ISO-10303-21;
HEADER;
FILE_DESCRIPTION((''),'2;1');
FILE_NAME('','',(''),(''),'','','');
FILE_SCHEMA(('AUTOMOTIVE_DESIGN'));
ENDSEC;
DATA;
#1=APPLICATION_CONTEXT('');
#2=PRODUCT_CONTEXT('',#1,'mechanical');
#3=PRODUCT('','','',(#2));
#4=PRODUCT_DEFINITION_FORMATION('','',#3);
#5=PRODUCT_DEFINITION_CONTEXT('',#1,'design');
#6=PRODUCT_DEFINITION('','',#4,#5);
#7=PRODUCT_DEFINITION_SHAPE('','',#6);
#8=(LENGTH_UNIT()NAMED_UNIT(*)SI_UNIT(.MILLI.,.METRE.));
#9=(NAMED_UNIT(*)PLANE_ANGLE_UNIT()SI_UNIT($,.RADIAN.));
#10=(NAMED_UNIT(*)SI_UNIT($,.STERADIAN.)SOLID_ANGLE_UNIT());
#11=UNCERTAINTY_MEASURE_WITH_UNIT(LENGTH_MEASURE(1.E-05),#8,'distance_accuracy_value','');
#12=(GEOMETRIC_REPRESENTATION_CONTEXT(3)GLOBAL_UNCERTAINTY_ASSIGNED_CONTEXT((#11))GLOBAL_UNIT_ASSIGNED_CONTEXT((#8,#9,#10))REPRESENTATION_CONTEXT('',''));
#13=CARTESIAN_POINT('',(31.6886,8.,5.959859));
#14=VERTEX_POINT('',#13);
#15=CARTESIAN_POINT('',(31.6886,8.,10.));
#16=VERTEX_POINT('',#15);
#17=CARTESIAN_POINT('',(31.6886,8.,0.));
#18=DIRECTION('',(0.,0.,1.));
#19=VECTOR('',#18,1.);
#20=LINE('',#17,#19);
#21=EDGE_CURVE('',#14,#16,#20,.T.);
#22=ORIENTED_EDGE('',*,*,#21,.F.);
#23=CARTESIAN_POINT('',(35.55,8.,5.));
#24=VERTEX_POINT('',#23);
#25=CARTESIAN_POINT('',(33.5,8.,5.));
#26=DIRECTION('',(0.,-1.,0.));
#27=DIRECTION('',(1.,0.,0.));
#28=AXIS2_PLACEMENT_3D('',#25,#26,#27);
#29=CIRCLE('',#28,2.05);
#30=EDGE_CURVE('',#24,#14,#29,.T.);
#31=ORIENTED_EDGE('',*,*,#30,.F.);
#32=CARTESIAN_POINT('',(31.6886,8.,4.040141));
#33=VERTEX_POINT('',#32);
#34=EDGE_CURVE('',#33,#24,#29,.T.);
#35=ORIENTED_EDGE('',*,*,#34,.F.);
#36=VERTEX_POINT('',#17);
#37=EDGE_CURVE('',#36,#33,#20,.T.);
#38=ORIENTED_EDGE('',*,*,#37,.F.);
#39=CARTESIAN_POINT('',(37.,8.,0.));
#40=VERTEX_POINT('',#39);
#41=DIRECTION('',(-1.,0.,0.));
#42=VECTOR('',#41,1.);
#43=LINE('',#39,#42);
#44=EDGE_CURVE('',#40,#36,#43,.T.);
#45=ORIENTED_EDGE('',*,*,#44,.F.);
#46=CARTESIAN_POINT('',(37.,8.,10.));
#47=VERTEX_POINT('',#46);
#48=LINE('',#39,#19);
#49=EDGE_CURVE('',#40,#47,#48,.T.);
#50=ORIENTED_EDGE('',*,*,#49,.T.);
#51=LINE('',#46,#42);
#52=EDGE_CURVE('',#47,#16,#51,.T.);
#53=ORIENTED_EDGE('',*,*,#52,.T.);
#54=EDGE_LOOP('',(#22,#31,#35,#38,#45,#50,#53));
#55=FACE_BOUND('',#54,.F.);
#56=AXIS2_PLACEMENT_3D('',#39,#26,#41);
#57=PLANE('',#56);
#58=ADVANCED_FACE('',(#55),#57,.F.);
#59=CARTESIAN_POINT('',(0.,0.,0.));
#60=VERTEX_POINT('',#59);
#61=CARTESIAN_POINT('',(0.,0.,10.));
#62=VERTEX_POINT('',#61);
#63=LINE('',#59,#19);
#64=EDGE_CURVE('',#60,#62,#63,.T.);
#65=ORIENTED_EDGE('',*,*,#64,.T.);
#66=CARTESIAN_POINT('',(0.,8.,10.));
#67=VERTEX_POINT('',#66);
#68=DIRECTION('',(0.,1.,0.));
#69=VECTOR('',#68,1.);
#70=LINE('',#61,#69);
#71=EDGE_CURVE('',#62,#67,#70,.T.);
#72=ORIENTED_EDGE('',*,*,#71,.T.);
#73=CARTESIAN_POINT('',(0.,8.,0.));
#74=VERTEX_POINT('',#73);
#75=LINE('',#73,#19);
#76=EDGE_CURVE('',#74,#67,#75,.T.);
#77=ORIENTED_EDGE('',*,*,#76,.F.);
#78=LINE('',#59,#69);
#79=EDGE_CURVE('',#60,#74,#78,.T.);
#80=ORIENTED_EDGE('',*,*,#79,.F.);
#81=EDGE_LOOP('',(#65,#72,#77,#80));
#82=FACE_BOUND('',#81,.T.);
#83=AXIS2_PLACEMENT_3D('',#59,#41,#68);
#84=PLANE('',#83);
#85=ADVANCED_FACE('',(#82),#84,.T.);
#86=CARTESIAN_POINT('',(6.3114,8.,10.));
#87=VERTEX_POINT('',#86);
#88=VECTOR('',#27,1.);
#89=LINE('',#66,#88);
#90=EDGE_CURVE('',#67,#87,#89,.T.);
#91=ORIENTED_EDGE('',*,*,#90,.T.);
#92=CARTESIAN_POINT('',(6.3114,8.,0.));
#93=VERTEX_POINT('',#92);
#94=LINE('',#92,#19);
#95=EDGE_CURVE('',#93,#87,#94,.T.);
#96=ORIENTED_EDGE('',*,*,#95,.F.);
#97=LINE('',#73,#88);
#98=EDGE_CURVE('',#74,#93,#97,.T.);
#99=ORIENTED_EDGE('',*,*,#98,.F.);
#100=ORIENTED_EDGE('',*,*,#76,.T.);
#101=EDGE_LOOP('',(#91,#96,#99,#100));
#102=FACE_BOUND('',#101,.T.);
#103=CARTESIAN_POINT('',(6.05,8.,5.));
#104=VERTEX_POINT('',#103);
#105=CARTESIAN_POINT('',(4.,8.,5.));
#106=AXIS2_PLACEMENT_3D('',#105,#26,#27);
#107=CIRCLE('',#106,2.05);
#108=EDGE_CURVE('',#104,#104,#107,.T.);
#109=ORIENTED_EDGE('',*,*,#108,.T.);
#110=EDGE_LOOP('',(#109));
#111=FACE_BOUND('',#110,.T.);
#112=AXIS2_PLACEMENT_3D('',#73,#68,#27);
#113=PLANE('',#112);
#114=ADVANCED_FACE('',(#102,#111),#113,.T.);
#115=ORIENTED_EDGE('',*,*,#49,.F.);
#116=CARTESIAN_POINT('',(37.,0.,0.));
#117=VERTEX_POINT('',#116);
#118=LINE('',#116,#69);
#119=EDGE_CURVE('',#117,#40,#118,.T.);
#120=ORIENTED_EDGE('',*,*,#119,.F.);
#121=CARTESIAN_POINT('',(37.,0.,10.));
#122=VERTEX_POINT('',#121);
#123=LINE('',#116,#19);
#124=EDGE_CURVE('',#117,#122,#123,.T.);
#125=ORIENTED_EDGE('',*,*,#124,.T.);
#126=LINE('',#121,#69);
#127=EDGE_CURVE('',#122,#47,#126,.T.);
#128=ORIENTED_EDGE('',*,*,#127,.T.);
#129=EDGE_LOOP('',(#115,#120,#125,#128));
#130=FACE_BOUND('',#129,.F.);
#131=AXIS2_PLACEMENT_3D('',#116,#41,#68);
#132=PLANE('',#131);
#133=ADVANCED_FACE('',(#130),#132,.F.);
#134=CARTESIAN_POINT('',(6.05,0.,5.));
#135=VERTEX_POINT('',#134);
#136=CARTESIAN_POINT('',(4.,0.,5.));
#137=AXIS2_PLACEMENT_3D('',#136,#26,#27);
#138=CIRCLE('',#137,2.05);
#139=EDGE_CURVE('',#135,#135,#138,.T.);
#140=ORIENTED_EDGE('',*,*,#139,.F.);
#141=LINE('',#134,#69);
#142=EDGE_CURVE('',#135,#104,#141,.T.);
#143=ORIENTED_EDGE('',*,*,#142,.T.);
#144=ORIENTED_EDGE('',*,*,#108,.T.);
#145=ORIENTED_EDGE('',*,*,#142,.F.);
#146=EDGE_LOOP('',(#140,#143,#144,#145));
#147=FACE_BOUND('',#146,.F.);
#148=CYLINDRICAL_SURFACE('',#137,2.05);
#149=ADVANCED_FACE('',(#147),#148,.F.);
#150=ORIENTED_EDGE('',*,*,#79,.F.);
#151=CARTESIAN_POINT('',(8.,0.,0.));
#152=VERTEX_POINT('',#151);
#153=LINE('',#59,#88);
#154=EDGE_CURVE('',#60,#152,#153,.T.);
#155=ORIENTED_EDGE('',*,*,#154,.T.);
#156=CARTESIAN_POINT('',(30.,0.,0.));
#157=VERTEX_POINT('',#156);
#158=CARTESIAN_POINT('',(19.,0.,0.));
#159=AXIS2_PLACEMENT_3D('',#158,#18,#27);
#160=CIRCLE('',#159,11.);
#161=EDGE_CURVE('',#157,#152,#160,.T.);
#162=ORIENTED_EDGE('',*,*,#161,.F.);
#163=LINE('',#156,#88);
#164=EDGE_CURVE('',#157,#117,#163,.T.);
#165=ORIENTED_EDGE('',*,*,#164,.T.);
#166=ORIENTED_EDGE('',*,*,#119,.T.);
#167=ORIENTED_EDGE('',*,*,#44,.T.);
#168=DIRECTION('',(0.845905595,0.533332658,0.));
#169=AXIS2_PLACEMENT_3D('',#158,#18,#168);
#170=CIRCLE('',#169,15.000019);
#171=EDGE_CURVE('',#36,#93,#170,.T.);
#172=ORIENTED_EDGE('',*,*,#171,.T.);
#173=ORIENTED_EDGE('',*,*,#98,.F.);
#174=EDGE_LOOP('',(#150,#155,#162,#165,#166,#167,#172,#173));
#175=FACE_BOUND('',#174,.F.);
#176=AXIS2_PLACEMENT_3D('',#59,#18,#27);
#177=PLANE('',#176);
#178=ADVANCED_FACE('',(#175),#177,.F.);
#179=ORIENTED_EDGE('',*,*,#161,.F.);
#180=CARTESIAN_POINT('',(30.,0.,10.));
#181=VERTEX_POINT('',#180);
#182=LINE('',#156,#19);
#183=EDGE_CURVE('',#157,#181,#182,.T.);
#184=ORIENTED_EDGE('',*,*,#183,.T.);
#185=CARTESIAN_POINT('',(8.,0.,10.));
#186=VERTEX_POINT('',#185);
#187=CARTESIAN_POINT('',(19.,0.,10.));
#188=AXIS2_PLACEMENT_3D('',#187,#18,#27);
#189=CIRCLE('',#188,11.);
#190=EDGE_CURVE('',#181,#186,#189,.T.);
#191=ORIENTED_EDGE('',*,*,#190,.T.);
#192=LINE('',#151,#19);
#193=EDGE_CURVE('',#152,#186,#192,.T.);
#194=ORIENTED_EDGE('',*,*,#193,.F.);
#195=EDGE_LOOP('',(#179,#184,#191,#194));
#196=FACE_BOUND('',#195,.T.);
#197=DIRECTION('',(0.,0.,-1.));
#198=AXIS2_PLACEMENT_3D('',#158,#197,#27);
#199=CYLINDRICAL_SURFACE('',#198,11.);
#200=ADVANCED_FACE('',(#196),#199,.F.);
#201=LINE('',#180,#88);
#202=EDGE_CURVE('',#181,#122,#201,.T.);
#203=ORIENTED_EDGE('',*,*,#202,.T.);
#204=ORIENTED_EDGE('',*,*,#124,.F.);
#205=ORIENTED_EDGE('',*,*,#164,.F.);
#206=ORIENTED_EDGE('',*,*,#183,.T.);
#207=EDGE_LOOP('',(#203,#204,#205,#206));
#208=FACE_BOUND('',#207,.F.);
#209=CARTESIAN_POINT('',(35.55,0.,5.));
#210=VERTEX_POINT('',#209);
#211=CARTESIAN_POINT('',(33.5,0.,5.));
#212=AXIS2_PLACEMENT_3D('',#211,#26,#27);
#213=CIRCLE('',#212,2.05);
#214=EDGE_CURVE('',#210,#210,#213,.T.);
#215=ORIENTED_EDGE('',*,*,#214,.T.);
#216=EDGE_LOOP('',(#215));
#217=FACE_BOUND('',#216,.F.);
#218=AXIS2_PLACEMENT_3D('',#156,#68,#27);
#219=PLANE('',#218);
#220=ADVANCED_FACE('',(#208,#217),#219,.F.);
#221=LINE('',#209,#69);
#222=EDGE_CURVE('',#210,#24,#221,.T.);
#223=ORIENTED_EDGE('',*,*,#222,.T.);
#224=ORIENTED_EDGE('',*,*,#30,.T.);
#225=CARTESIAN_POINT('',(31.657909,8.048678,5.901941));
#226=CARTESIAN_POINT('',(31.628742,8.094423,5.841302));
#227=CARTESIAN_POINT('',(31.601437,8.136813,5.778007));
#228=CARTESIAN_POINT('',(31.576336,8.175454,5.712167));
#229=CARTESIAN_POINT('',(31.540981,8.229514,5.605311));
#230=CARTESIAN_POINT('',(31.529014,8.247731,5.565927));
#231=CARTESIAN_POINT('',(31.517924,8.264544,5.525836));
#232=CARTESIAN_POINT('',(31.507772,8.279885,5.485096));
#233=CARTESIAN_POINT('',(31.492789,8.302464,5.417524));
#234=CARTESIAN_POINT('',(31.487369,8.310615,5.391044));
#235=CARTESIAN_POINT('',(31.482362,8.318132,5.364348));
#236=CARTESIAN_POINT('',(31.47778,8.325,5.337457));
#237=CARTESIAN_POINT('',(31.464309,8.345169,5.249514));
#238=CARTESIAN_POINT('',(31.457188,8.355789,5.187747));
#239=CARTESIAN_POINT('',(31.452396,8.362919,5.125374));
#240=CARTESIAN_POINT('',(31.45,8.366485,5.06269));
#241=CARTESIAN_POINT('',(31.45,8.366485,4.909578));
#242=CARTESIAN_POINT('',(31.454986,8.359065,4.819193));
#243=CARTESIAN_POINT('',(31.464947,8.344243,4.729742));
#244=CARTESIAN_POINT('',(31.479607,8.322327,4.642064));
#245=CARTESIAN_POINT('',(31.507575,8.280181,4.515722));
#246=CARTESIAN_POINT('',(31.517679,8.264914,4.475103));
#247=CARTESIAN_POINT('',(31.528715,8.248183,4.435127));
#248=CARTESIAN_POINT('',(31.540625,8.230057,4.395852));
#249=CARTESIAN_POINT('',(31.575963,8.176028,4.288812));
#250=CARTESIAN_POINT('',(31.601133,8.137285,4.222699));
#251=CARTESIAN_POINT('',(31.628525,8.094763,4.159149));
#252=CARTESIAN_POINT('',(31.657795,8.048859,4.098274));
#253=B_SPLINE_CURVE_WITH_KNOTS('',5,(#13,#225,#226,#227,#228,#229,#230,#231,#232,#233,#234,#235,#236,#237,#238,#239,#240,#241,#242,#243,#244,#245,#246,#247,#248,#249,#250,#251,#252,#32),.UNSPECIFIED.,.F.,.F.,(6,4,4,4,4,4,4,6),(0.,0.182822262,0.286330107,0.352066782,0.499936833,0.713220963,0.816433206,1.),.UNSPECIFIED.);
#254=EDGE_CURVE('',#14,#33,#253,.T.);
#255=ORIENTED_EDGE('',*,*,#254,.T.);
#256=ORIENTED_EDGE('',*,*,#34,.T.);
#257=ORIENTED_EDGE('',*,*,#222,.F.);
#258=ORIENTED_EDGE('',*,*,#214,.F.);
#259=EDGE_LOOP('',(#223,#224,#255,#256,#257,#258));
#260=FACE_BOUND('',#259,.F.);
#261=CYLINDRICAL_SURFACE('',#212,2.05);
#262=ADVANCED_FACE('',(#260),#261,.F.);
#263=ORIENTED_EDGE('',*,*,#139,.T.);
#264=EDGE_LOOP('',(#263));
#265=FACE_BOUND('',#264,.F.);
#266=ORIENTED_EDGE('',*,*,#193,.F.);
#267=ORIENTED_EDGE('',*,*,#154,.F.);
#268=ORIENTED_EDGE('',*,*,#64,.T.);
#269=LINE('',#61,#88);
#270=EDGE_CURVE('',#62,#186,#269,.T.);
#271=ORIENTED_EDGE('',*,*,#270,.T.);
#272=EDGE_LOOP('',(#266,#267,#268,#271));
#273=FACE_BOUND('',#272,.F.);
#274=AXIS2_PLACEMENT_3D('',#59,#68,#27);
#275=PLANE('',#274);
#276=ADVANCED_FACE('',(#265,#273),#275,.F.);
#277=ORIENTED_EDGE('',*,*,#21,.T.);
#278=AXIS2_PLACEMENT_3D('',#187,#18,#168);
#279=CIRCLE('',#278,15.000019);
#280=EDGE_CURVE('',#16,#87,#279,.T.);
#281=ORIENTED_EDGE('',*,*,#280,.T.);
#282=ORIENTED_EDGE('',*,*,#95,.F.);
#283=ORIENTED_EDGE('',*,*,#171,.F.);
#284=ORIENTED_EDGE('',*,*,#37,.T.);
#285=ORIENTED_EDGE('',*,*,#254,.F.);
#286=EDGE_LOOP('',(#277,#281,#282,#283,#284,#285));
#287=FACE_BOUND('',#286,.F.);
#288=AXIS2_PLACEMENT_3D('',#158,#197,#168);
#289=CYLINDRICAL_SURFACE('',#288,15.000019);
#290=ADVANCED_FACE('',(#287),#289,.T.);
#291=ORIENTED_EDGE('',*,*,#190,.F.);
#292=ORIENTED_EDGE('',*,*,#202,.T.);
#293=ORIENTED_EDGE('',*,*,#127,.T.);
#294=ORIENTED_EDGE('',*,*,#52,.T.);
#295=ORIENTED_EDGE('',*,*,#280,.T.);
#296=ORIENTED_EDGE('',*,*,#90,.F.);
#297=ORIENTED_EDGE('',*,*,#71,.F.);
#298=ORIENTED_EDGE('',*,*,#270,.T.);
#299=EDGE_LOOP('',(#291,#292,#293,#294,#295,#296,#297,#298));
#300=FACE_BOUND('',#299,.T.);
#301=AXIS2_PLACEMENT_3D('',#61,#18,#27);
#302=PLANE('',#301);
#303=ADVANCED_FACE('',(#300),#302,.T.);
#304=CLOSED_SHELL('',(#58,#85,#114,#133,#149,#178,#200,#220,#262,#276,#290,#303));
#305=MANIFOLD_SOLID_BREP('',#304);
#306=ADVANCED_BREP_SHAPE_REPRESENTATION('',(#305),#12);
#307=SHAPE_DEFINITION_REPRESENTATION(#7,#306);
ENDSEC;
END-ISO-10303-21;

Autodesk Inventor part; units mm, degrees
ref_plane "YZ Plane" through (0, 0, 0) normal (1, 0, 0) x (0, 1, 0)
ref_plane "XZ Plane" through (0, 0, 0) normal (0, 1, 0) x (-1, 0, 0)
ref_plane "XY Plane" through (0, 0, 0) normal (0, 0, 1) x (1, 0, 0)
sketch "Boceto1" plane through (0, 0, 0) normal (0, 0, 1) x (1, 0, 0)
  line L0 (0, 0) -> (8, 0)
  line L1 (30, 0) -> (37, 0)
  arc A0 (30, 0) -> (8, 0) centre (19, 0) ccw
  line L2 (0, 0) -> (0, 8)
  line L3 (0, 8) -> (6.3114, 8)
  line L4 (37, 0) -> (37, 8)
  line L5 (37, 8) -> (31.6886, 8)
  arc A1 (31.6886, 8) -> (6.3114, 8) centre (19, 0) ccw
  line L6 (19, 11) -> (19, 15) construction
  dimension "d0" = 11
  dimension "d1" = 37
  dimension "d2" = 8
  dimension "d3" = 8
  dimension "d5" = 4
extrude "Extrusión1" add sketch "Boceto1" along normal blind 10
sketch "Boceto3" plane through (0, 0, 0) normal (0, -1, 0) x (1, 0, 0)
  line L0 (0, 0) -> (8, 0) projected
  line L1 (0, 0) -> (0, 10) projected
  line L2 (30, 0) -> (30, 10) projected
  line L3 (30, 0) -> (37, 0) projected
  circle A0 centre (4, 5) radius 2.05
  circle A1 centre (33.5, 5) radius 2.05
  point P0 (0, 5)
  point P1 (30, 5)
  point P2 (4, 0)
  point P3 (33.5, 0)
  dimension "d12" = 4.1
  dimension "d13" = 4.1
extrude "Extrusión3" cut sketch "Boceto3" against normal through all
properties part number "SoporteMotorCierre"
